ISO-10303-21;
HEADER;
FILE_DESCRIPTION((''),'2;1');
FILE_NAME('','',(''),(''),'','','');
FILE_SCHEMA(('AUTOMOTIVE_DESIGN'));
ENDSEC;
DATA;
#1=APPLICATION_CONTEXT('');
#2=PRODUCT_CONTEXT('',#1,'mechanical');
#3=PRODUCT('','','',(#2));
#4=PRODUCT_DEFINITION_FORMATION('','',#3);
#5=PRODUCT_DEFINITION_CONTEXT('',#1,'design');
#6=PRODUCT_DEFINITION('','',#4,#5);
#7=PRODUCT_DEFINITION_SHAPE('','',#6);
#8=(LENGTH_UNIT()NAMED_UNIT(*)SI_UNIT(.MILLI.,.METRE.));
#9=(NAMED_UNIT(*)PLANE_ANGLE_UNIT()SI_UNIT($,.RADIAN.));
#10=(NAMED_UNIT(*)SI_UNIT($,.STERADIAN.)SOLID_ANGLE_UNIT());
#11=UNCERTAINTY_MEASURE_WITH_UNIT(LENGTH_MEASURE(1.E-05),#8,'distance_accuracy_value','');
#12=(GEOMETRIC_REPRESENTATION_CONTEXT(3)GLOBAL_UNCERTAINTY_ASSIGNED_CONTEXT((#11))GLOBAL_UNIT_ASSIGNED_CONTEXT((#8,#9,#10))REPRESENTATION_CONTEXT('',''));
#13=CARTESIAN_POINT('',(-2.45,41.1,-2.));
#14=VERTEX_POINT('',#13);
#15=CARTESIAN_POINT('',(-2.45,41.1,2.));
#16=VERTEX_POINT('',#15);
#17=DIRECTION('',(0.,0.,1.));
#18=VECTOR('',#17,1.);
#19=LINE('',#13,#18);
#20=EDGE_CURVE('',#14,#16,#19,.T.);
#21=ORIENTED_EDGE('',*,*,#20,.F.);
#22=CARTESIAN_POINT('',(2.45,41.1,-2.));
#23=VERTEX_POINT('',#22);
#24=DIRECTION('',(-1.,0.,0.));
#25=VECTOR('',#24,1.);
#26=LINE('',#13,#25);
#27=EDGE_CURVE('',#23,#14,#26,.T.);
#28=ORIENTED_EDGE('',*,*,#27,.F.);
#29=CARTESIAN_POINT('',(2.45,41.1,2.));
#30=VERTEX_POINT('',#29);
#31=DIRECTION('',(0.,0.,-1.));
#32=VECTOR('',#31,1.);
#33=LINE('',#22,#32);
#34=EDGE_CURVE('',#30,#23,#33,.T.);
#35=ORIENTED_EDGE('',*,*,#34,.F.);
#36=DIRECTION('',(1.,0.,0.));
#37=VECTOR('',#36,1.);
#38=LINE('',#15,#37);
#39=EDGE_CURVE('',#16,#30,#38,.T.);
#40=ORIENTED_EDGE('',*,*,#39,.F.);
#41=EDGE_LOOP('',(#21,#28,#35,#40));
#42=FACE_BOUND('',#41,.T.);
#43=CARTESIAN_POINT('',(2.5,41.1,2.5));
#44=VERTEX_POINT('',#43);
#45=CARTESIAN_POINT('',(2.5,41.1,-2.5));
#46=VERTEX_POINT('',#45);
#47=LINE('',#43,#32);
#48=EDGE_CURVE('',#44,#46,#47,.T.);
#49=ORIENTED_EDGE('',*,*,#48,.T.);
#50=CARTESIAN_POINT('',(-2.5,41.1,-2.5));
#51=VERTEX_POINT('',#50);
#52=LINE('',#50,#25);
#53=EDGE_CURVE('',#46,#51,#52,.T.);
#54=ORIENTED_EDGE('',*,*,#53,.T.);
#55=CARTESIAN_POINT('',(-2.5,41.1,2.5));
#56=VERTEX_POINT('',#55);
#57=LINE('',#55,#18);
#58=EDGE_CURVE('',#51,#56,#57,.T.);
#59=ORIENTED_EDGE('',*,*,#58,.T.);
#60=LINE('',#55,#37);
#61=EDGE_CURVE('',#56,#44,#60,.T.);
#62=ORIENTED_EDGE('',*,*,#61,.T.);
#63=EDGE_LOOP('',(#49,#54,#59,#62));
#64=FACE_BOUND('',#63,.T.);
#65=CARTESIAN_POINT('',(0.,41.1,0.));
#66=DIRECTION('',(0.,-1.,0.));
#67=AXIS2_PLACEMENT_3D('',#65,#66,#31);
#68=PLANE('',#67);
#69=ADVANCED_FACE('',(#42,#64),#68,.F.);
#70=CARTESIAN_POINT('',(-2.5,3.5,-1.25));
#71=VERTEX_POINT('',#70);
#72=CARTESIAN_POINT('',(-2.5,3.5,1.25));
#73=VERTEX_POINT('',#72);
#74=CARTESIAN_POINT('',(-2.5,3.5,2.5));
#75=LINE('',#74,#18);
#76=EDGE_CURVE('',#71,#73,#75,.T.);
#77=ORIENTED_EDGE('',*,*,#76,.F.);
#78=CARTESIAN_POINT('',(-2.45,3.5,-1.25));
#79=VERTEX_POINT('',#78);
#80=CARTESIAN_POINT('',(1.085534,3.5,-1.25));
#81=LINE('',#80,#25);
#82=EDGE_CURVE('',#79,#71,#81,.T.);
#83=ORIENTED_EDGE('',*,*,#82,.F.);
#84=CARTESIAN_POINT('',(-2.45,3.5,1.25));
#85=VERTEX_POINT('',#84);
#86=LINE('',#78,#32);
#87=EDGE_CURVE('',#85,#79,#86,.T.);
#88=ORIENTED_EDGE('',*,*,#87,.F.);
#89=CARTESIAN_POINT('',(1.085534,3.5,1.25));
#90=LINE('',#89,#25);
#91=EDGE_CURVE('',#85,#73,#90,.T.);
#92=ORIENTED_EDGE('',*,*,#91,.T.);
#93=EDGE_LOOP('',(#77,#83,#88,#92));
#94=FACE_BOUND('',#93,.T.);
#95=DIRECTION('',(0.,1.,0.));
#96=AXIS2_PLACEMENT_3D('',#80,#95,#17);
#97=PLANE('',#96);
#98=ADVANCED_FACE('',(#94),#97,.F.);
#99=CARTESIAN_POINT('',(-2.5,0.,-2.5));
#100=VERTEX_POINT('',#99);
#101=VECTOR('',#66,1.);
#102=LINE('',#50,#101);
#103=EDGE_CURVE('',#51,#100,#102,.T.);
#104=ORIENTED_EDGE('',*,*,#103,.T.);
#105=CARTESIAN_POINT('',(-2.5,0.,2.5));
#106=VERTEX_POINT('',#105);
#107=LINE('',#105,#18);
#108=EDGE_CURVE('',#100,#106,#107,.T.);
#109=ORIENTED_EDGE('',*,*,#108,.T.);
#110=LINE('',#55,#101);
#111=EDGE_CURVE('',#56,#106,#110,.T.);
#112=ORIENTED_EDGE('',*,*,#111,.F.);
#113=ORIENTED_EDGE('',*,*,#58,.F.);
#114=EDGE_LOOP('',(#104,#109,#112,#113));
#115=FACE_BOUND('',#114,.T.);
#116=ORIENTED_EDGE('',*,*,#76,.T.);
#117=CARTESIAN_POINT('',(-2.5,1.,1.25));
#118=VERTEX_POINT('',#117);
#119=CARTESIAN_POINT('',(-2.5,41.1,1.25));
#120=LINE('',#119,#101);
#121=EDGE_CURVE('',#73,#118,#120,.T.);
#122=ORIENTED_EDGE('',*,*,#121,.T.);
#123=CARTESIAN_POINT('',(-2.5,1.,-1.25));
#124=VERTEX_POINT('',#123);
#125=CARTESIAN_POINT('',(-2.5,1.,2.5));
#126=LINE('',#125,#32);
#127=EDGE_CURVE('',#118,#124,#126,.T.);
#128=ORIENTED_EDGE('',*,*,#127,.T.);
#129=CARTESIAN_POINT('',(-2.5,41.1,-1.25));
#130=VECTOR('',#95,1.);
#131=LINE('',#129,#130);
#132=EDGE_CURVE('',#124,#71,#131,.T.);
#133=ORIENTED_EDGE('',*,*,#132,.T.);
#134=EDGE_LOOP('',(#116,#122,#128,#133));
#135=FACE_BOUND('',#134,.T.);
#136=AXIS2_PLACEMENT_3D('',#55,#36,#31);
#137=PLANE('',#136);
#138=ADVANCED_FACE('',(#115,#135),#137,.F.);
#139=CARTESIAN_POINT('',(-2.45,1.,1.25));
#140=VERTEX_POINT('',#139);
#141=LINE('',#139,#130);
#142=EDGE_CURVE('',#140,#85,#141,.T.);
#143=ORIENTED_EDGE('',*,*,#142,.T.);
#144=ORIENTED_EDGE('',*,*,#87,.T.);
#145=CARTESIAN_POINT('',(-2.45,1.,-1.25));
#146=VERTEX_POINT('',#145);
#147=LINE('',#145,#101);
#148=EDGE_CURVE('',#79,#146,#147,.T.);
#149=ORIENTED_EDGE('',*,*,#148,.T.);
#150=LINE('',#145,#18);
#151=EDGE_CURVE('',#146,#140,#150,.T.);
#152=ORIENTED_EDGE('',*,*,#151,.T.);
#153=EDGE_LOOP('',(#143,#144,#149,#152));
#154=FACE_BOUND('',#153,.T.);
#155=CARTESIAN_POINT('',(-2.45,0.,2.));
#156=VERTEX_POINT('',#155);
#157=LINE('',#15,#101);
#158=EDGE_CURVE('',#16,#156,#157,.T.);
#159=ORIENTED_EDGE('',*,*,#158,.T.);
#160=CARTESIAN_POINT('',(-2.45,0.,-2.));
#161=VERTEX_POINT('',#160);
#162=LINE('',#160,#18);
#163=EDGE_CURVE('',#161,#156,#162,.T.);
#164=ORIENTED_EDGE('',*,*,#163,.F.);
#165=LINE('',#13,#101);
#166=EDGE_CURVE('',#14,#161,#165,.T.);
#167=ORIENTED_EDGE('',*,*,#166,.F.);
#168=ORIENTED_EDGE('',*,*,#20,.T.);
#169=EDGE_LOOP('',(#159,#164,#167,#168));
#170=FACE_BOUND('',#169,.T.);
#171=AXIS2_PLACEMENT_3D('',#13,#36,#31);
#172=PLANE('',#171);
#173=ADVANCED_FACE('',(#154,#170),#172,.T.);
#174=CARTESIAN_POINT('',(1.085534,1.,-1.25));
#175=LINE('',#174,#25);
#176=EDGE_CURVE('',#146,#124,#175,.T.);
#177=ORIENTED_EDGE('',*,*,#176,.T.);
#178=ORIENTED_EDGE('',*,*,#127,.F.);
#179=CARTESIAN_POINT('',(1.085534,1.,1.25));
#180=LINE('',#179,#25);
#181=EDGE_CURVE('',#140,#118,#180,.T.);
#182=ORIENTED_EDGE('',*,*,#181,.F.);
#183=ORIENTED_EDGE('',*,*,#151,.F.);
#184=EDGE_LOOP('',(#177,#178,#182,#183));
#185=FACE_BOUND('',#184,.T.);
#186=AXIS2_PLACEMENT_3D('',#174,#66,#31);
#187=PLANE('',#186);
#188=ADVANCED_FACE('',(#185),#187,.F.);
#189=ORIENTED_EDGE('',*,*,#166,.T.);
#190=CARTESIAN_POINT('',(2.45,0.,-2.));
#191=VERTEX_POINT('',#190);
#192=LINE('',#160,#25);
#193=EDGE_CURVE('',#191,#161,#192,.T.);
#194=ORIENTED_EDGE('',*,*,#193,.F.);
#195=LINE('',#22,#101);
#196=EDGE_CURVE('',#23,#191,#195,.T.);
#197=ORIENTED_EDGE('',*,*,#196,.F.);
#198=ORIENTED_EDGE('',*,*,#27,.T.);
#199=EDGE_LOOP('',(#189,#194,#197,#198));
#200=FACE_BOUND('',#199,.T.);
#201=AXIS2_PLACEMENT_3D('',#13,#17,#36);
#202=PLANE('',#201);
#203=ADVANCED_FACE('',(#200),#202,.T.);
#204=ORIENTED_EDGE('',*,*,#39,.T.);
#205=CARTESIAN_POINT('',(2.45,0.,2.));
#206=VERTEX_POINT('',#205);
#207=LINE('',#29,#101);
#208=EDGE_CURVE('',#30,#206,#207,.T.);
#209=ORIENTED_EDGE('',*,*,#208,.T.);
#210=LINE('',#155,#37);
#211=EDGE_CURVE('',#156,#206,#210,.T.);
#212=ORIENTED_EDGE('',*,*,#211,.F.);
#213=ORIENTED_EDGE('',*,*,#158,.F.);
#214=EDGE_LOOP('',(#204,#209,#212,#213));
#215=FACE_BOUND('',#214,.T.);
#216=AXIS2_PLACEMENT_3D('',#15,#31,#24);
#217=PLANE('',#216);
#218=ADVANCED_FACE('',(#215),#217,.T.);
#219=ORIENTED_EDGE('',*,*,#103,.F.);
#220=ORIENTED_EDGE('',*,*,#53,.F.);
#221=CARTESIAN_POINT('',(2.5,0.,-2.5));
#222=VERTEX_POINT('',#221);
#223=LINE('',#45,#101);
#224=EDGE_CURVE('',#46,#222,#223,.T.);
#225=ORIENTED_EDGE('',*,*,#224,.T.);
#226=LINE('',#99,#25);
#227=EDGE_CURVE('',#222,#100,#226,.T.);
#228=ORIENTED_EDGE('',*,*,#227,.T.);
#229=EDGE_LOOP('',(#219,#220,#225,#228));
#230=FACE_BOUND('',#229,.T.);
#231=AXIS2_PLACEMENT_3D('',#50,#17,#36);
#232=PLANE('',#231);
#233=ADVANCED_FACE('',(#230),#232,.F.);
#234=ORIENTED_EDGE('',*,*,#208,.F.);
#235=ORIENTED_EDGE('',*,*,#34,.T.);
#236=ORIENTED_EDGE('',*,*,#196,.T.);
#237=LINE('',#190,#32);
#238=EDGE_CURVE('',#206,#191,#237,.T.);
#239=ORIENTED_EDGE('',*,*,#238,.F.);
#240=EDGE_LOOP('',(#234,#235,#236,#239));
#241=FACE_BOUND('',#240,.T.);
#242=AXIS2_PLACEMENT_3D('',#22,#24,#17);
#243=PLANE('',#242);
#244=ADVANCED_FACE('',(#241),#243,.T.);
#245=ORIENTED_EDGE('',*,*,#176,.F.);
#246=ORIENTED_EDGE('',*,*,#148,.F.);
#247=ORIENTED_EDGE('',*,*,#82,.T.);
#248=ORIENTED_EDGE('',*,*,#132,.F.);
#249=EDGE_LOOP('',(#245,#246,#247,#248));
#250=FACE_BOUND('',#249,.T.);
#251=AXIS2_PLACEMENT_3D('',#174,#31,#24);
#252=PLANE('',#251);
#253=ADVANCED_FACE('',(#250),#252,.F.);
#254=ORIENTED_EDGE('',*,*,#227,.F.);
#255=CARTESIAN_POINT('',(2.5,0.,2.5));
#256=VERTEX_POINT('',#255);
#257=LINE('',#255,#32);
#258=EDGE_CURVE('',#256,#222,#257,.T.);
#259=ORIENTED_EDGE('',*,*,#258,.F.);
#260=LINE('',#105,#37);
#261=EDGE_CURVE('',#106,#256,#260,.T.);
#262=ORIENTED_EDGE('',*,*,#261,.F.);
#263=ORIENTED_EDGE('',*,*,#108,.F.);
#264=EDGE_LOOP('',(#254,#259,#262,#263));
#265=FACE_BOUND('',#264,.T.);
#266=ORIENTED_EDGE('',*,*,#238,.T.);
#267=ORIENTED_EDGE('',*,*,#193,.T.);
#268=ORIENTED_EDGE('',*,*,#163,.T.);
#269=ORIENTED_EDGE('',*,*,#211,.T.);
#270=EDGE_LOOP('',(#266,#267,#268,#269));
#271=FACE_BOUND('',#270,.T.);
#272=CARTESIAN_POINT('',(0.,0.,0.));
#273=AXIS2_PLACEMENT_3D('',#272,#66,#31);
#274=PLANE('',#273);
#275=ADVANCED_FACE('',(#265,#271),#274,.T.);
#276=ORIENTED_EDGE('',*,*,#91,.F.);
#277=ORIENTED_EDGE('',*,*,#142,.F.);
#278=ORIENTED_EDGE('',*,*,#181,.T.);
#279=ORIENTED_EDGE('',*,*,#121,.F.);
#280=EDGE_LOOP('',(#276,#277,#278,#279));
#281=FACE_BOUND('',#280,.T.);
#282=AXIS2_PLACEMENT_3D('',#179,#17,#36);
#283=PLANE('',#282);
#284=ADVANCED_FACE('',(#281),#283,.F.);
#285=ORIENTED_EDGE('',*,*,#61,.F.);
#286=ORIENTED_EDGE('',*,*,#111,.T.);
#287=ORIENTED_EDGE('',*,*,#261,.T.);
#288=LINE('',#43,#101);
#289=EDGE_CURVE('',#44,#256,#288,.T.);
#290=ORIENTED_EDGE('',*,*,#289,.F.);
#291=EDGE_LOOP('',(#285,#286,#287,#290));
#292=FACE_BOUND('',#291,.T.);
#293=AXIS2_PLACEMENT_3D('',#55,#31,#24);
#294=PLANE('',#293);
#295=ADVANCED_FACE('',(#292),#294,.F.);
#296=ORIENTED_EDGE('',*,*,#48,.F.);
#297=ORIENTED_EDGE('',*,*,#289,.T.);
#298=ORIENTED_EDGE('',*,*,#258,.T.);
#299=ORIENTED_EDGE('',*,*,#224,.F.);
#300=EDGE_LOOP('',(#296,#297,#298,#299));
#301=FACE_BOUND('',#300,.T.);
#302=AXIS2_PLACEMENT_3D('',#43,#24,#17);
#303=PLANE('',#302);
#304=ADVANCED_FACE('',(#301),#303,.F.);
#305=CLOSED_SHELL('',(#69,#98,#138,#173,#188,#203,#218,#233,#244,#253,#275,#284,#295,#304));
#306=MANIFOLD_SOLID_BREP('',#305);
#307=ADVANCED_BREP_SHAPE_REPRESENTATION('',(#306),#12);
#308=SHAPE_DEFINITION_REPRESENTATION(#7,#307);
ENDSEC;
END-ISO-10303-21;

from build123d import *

# Parameters (mm, degrees)
SKETCH1_W               = 5
SKETCH1_H               = 5
SKETCH1_W_2             = 4.9
SKETCH1_H_2             = 4
BOSS_EXTRUDE1_DEPTH     = 41.1
CUT_EXTRUDE1_DEPTH      = 42.478428128
CUT_EXTRUDE1_DEPTH_BACK = 0.05
SKETCH2_W               = 2.5
SKETCH2_H               = 2.5


with BuildPart() as part:
    # Sketch1 → Boss-Extrude1 (new body)
    with BuildSketch(Plane(origin=(0, 0, 0), x_dir=(1, 0, 0), z_dir=(0, 1, 0))):
        Rectangle(SKETCH1_W, SKETCH1_H)
        Rectangle(SKETCH1_W_2, SKETCH1_H_2, mode=Mode.SUBTRACT)
    extrude(amount=BOSS_EXTRUDE1_DEPTH)

    # Sketch2 → Cut-Extrude1 (cut, two sides: drawn at the far end of the back side and taken through both)
    with BuildSketch(Plane.ZY.offset(2.5).offset(-CUT_EXTRUDE1_DEPTH_BACK)):
        with Locations((0, 2.25)):
            Rectangle(SKETCH2_W, SKETCH2_H)
    extrude(amount=CUT_EXTRUDE1_DEPTH + CUT_EXTRUDE1_DEPTH_BACK, mode=Mode.SUBTRACT)


solid = part.part
